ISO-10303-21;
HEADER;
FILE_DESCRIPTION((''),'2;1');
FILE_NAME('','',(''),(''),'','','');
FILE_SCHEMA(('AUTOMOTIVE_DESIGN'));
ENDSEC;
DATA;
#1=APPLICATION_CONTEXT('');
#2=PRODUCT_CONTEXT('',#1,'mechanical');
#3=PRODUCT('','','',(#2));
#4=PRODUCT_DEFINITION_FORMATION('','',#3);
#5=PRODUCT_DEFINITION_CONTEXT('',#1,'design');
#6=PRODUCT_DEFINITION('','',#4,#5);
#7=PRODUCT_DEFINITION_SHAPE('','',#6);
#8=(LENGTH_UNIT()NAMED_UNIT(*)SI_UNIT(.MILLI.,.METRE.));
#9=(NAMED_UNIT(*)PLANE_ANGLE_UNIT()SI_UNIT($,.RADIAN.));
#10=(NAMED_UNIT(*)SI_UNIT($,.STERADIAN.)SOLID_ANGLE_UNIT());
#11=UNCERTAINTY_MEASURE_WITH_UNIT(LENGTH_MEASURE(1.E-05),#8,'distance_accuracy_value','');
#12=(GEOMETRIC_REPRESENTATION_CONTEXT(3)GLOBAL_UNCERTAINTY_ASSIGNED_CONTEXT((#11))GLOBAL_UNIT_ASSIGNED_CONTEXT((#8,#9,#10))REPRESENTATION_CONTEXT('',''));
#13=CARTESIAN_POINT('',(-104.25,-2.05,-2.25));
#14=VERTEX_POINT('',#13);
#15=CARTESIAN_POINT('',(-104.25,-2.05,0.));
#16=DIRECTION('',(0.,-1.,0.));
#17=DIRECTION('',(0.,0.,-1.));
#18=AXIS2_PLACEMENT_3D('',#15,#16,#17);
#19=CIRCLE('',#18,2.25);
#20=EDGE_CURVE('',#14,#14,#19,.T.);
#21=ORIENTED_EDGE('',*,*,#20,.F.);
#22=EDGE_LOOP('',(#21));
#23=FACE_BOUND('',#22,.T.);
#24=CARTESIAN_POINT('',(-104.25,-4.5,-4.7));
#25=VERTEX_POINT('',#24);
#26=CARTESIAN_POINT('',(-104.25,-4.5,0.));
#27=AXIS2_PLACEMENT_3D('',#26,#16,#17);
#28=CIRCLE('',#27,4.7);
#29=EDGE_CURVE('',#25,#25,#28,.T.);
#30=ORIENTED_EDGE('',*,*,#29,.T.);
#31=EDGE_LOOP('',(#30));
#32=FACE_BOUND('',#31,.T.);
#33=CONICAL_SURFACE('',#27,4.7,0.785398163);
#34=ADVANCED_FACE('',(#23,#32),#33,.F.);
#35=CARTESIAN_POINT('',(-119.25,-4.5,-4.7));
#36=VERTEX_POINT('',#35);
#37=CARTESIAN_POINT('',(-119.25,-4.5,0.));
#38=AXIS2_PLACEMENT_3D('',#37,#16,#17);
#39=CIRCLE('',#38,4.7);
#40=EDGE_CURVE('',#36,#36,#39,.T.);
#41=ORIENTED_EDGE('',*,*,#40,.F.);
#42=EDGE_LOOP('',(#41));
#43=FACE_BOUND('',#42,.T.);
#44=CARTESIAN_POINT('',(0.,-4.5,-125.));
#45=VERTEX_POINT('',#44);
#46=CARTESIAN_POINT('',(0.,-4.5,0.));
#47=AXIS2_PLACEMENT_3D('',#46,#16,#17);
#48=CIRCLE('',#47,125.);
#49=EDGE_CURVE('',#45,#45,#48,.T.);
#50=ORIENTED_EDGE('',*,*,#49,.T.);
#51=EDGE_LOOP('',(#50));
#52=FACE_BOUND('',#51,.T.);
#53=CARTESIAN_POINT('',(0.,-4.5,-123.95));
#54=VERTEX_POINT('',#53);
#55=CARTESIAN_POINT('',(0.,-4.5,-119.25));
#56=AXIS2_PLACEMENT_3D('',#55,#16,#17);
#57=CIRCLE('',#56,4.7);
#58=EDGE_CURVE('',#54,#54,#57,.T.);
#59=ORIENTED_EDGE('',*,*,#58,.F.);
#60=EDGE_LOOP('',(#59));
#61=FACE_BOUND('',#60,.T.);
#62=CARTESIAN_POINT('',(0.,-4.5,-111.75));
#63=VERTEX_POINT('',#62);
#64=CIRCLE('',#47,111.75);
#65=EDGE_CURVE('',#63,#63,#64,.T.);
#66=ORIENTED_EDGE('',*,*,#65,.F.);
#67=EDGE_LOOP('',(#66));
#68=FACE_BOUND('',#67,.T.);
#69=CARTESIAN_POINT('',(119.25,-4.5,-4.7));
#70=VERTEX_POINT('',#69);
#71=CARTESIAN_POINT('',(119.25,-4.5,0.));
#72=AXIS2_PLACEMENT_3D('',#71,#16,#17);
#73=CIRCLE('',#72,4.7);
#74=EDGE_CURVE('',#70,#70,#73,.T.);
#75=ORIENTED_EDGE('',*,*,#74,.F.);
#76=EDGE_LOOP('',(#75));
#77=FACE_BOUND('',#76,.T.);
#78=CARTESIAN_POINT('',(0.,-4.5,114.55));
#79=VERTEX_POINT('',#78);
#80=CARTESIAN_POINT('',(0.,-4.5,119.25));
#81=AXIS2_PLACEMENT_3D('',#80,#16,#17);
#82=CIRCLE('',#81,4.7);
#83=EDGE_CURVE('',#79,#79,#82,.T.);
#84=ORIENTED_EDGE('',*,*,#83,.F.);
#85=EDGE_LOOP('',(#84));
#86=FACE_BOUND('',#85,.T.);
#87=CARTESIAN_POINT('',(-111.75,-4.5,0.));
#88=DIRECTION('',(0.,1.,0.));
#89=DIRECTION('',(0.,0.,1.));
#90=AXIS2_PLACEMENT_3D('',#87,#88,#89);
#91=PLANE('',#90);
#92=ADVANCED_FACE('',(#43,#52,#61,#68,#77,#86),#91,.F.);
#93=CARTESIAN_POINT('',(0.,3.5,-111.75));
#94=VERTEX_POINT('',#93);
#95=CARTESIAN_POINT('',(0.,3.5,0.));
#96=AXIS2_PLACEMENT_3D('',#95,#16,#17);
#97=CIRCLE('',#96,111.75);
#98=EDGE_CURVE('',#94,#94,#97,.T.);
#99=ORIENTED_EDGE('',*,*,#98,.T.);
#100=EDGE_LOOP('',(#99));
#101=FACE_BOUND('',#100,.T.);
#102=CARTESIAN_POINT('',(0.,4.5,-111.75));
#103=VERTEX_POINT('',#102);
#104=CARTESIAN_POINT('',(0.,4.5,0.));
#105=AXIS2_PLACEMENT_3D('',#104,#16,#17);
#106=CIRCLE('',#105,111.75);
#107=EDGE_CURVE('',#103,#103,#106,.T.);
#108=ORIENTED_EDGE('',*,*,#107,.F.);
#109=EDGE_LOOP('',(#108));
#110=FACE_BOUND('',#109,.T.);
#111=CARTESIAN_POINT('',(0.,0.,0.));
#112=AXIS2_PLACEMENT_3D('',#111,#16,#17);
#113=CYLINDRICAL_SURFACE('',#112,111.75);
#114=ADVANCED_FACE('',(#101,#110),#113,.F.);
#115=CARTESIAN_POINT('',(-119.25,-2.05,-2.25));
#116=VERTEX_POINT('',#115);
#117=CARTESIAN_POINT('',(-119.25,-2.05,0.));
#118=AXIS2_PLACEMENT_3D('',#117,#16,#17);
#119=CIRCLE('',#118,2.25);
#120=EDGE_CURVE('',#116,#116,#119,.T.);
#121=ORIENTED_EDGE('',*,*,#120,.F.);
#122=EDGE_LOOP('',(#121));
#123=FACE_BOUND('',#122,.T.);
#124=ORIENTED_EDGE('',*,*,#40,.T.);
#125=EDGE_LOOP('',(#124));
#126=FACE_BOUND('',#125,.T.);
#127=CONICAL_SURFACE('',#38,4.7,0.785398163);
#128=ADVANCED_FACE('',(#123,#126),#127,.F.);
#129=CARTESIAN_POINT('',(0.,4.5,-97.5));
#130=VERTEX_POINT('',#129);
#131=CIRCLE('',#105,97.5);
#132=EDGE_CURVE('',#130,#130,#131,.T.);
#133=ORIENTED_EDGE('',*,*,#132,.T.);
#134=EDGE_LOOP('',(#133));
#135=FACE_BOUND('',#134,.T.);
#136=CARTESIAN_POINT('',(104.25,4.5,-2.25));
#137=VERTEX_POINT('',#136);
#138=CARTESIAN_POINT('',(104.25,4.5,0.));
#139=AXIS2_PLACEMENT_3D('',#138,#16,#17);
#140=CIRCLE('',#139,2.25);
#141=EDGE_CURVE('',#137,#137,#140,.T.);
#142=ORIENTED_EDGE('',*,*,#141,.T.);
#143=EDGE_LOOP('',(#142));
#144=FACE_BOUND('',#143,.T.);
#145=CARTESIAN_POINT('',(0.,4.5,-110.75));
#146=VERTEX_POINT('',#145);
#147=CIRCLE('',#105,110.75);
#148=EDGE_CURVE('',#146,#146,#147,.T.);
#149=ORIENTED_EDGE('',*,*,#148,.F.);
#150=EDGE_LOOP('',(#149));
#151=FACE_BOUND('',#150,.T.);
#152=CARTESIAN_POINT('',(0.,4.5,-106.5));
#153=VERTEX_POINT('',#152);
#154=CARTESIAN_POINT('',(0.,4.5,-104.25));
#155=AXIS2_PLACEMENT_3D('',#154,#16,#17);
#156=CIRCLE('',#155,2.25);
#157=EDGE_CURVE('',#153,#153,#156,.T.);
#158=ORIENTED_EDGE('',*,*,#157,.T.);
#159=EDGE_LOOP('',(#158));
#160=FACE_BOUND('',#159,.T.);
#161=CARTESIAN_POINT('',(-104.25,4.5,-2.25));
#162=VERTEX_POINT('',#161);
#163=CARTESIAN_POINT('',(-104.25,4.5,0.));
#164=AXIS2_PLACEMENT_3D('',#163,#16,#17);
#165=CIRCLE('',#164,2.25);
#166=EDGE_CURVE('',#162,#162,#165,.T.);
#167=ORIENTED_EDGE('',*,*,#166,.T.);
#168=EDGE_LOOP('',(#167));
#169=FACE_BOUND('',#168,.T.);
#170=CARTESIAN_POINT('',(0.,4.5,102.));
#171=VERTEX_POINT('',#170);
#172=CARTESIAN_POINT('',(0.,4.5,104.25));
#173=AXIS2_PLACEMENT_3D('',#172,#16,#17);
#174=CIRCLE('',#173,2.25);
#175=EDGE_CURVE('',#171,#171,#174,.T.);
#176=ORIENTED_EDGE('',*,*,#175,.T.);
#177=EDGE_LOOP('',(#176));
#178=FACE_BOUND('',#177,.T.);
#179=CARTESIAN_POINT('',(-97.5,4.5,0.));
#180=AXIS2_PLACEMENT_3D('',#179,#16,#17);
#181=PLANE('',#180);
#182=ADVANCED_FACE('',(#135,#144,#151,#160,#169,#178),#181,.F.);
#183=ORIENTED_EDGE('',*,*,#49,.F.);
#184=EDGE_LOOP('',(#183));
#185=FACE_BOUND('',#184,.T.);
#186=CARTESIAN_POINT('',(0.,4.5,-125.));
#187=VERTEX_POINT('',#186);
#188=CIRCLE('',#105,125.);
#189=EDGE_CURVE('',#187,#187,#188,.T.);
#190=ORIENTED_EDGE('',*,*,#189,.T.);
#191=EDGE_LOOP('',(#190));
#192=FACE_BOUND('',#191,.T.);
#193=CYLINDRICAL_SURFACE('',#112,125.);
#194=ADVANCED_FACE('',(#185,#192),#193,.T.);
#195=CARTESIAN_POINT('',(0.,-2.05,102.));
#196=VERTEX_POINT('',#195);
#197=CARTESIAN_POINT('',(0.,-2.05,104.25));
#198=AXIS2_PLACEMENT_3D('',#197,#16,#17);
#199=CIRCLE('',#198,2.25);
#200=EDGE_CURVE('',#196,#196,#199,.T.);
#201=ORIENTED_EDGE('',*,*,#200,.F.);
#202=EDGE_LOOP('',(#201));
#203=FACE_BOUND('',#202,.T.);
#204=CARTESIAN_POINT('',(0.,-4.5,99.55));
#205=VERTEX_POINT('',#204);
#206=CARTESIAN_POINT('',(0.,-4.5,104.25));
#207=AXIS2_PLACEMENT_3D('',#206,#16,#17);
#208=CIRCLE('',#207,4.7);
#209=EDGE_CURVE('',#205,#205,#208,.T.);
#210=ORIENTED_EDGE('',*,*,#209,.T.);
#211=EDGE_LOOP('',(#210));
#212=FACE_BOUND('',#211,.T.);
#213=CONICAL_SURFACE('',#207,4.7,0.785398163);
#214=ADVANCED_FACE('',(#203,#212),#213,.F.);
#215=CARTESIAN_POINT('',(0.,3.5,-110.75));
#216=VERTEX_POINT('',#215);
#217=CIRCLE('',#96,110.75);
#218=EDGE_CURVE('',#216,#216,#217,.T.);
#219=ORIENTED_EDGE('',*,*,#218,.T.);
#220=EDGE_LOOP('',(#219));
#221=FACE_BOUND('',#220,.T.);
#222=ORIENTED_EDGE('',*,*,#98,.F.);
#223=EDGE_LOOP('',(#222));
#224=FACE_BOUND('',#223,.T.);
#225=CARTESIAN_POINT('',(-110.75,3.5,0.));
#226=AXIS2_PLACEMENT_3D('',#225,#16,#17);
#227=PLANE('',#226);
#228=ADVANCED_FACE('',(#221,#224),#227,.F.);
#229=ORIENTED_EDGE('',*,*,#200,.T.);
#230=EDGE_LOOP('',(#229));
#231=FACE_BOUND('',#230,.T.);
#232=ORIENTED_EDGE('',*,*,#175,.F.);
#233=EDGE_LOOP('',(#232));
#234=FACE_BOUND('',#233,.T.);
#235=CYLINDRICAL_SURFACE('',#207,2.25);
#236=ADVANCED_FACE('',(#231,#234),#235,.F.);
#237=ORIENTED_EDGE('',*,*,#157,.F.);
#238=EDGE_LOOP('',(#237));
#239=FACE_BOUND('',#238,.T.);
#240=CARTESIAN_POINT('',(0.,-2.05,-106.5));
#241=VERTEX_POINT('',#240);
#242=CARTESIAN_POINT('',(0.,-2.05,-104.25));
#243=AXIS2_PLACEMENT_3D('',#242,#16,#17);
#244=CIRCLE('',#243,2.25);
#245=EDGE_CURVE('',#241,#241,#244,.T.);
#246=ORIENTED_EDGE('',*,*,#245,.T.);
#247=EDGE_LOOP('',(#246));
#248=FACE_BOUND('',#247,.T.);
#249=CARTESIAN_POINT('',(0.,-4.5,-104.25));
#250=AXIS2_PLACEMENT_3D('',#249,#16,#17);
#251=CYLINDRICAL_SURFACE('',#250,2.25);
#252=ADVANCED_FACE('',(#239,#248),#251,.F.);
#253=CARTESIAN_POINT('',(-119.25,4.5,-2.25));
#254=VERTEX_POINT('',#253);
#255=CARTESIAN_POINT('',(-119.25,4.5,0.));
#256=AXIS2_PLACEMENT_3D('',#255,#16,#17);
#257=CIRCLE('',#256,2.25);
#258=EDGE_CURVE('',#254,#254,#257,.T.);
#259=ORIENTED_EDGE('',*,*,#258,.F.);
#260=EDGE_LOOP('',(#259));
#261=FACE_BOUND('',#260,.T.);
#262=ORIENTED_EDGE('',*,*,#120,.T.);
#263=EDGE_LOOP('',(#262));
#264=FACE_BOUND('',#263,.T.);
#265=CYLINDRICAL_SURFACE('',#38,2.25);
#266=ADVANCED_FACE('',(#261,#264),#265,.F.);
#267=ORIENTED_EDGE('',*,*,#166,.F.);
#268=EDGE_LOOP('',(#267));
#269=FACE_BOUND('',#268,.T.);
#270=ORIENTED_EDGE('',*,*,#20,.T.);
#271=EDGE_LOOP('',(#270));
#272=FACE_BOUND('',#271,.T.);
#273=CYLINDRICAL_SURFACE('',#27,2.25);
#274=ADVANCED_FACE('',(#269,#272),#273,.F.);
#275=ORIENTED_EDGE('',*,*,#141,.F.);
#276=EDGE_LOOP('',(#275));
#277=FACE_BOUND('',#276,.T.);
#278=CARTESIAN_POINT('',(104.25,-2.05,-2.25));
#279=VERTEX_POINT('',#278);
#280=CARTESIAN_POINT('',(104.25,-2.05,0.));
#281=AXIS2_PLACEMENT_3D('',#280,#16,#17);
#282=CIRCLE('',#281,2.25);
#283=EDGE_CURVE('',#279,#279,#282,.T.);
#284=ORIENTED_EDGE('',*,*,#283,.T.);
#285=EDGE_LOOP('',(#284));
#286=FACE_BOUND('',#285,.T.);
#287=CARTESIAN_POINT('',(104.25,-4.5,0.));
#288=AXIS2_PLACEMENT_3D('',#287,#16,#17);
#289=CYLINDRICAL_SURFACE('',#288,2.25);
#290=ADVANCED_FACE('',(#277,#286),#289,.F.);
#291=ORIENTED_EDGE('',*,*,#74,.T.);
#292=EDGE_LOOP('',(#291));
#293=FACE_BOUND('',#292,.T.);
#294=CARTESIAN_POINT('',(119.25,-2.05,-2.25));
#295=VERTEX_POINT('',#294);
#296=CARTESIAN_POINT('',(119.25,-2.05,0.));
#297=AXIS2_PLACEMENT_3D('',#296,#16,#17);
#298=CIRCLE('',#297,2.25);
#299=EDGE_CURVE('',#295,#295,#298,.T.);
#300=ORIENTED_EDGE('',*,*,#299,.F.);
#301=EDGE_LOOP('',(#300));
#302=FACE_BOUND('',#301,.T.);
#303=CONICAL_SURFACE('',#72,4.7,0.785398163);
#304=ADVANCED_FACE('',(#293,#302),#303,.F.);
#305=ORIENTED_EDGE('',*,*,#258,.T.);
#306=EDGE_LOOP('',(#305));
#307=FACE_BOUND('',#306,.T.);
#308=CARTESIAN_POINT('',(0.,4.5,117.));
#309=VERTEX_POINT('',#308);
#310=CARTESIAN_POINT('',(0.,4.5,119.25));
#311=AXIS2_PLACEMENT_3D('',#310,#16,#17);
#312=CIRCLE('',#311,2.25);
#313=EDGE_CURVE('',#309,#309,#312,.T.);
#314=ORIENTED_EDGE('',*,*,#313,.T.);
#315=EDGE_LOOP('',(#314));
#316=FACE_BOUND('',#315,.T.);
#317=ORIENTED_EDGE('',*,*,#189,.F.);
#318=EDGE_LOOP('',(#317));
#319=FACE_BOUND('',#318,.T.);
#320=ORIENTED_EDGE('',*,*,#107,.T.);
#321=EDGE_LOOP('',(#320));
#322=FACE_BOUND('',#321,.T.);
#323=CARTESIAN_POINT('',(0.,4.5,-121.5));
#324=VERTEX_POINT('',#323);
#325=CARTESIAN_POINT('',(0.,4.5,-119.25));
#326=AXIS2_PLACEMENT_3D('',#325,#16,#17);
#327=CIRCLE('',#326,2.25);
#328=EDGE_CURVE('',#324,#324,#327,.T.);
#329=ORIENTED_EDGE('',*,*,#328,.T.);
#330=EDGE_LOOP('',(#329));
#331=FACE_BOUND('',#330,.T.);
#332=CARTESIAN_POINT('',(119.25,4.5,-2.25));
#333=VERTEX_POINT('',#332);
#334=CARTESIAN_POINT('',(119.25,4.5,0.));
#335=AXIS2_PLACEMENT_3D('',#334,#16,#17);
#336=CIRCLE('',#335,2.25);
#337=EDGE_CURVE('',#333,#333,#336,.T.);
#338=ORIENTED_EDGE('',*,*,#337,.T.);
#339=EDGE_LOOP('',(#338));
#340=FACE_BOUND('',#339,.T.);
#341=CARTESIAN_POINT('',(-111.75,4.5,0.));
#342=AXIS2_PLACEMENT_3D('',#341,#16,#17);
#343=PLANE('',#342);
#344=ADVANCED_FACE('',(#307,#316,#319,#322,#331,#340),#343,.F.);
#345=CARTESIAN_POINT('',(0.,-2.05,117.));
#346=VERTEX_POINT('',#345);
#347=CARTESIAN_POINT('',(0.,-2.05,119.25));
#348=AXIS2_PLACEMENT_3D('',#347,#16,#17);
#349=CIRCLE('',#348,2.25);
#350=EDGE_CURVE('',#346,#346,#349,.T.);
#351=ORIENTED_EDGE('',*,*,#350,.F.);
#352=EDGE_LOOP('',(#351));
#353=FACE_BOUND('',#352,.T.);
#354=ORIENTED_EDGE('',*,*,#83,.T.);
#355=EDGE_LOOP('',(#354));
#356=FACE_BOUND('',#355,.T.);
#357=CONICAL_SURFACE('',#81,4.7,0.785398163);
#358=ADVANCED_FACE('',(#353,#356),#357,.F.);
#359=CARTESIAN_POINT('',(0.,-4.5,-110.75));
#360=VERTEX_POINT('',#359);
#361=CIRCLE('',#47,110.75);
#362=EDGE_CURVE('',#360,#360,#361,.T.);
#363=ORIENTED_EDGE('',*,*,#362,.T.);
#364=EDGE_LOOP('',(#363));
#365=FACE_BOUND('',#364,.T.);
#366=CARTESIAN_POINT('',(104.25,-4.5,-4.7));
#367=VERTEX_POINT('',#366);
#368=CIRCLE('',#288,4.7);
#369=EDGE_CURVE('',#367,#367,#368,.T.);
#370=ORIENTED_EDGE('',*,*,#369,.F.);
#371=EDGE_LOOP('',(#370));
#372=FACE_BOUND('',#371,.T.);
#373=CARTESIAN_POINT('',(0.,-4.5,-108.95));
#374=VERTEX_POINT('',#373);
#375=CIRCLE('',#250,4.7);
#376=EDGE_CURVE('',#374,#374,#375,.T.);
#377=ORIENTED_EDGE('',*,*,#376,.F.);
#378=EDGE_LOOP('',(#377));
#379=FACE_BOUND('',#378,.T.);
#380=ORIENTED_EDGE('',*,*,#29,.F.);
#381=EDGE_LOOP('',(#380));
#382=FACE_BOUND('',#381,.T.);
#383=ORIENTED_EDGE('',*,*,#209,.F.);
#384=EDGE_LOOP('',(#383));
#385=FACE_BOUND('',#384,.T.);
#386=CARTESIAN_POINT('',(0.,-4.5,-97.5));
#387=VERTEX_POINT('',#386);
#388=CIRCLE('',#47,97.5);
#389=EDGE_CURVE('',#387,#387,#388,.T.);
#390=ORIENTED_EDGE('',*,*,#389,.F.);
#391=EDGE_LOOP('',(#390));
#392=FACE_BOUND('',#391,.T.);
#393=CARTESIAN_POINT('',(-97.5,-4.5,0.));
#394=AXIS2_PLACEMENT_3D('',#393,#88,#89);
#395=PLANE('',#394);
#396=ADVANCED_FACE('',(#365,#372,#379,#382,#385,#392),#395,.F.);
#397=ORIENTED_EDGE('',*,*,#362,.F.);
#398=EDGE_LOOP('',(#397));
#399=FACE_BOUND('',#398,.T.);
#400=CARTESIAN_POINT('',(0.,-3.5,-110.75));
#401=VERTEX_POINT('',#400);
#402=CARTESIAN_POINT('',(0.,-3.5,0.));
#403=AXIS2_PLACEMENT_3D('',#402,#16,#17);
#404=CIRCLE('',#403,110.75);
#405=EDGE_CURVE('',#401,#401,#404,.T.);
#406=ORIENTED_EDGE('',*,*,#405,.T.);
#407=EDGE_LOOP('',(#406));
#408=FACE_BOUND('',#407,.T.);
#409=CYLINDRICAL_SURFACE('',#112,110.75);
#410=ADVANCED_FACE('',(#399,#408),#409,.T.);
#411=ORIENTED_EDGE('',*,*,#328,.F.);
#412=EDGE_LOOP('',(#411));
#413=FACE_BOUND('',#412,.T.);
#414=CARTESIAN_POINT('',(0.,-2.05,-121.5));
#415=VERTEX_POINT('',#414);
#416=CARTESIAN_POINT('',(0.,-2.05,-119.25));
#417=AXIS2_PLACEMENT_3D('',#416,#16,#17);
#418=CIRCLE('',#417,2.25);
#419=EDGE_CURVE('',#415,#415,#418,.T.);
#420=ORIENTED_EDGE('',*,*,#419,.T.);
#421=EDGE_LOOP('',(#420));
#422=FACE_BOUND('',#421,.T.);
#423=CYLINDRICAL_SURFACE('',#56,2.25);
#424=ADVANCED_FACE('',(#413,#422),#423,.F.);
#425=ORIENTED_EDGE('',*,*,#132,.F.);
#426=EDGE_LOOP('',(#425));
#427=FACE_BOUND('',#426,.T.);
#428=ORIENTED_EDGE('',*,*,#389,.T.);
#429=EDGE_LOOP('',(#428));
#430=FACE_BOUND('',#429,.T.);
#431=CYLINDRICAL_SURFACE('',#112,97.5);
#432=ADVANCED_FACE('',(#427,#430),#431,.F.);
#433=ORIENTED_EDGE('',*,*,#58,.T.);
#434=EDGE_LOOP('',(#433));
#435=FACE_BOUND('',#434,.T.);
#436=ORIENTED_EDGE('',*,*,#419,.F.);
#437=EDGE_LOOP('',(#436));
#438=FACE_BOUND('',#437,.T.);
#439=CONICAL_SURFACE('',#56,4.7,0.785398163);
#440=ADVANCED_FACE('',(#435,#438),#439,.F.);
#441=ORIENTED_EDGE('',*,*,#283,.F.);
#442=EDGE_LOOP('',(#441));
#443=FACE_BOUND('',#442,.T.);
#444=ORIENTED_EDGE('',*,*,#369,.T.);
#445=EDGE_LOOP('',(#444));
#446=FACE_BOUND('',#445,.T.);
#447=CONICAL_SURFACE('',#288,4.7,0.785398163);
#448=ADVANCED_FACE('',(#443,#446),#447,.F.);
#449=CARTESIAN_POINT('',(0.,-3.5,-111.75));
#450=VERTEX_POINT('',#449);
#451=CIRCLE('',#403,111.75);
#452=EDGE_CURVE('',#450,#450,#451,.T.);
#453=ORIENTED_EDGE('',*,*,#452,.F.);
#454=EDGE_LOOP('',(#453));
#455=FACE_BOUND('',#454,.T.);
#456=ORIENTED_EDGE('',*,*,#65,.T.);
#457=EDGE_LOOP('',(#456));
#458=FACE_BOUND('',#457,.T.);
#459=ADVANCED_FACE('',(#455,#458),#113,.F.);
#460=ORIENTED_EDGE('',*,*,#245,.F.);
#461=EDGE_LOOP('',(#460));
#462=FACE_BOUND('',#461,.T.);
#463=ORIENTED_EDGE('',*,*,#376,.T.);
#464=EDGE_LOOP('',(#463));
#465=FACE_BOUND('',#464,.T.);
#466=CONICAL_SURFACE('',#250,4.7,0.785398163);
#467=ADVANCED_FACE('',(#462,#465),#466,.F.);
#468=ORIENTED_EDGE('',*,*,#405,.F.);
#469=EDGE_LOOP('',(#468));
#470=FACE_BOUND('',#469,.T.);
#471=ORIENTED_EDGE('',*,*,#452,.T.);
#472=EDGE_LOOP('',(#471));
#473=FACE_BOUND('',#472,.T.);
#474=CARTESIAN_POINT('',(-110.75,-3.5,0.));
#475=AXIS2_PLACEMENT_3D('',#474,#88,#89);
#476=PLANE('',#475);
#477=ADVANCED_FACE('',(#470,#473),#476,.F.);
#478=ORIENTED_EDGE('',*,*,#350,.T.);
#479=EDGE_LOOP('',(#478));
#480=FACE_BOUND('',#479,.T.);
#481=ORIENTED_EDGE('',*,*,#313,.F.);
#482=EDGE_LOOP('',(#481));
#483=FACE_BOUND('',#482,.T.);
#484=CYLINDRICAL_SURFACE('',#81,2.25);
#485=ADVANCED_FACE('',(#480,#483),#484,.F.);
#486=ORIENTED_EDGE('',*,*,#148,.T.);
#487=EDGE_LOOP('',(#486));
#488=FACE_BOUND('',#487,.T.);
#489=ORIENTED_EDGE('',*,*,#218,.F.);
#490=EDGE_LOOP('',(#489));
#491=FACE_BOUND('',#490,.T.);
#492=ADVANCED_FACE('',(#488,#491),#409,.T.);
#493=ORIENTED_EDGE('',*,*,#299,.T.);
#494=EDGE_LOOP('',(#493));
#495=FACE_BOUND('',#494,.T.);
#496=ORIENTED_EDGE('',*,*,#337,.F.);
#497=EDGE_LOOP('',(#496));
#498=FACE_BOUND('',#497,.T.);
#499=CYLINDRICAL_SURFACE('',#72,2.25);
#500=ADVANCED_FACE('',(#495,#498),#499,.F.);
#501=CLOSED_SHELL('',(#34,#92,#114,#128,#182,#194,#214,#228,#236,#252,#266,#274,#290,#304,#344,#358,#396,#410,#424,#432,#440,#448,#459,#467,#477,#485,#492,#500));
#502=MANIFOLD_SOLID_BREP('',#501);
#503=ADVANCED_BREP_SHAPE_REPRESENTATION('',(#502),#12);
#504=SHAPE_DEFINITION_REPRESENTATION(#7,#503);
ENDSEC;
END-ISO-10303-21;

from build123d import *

# Parameters (mm, degrees)
CSK_FOR_M4_FLAT_HEAD_MACHINE_SCREW1_D           = 4.5
CSK_FOR_M4_FLAT_HEAD_MACHINE_SCREW1_CSINK_D     = 9.4
CSK_FOR_M4_FLAT_HEAD_MACHINE_SCREW1_CSINK_ANGLE = 90


with BuildPart() as part:
    # Sketch1 → Revolve1 (revolve)
    with BuildSketch(Plane.XY, mode=Mode.PRIVATE) as revolve1_sk:
        Polygon((-97.5, -4.5), (-97.5, 4.5), (-110.75, 4.5), (-110.75, 3.5), (-111.75, 3.5), (-111.75, 4.5), (-125, 4.5), (-125, -4.5), (-111.75, -4.5), (-111.75, -3.5), (-110.75, -3.5), (-110.75, -4.5), align=None)
    revolve(revolve1_sk.sketch.rotate(Axis((0, 0, 0), (0, 1, 0)), 270), axis=Axis((0, 0, 0), (0, 1, 0)))

    # CSK for M4 Flat Head Machine Screw1 (through all)
    with Locations(Plane(origin=(0, -4.5, 0), x_dir=(-1, 0, 0), z_dir=(0, -1, 0))):
        with Locations((-119.25, 0), (0, 104.25), (0, 119.25), (104.25, 0), (119.25, 0), (0, -104.25), (0, -119.25), (-104.25, 0)):
            CounterSinkHole(CSK_FOR_M4_FLAT_HEAD_MACHINE_SCREW1_D / 2, CSK_FOR_M4_FLAT_HEAD_MACHINE_SCREW1_CSINK_D / 2, counter_sink_angle=CSK_FOR_M4_FLAT_HEAD_MACHINE_SCREW1_CSINK_ANGLE)


solid = part.part
